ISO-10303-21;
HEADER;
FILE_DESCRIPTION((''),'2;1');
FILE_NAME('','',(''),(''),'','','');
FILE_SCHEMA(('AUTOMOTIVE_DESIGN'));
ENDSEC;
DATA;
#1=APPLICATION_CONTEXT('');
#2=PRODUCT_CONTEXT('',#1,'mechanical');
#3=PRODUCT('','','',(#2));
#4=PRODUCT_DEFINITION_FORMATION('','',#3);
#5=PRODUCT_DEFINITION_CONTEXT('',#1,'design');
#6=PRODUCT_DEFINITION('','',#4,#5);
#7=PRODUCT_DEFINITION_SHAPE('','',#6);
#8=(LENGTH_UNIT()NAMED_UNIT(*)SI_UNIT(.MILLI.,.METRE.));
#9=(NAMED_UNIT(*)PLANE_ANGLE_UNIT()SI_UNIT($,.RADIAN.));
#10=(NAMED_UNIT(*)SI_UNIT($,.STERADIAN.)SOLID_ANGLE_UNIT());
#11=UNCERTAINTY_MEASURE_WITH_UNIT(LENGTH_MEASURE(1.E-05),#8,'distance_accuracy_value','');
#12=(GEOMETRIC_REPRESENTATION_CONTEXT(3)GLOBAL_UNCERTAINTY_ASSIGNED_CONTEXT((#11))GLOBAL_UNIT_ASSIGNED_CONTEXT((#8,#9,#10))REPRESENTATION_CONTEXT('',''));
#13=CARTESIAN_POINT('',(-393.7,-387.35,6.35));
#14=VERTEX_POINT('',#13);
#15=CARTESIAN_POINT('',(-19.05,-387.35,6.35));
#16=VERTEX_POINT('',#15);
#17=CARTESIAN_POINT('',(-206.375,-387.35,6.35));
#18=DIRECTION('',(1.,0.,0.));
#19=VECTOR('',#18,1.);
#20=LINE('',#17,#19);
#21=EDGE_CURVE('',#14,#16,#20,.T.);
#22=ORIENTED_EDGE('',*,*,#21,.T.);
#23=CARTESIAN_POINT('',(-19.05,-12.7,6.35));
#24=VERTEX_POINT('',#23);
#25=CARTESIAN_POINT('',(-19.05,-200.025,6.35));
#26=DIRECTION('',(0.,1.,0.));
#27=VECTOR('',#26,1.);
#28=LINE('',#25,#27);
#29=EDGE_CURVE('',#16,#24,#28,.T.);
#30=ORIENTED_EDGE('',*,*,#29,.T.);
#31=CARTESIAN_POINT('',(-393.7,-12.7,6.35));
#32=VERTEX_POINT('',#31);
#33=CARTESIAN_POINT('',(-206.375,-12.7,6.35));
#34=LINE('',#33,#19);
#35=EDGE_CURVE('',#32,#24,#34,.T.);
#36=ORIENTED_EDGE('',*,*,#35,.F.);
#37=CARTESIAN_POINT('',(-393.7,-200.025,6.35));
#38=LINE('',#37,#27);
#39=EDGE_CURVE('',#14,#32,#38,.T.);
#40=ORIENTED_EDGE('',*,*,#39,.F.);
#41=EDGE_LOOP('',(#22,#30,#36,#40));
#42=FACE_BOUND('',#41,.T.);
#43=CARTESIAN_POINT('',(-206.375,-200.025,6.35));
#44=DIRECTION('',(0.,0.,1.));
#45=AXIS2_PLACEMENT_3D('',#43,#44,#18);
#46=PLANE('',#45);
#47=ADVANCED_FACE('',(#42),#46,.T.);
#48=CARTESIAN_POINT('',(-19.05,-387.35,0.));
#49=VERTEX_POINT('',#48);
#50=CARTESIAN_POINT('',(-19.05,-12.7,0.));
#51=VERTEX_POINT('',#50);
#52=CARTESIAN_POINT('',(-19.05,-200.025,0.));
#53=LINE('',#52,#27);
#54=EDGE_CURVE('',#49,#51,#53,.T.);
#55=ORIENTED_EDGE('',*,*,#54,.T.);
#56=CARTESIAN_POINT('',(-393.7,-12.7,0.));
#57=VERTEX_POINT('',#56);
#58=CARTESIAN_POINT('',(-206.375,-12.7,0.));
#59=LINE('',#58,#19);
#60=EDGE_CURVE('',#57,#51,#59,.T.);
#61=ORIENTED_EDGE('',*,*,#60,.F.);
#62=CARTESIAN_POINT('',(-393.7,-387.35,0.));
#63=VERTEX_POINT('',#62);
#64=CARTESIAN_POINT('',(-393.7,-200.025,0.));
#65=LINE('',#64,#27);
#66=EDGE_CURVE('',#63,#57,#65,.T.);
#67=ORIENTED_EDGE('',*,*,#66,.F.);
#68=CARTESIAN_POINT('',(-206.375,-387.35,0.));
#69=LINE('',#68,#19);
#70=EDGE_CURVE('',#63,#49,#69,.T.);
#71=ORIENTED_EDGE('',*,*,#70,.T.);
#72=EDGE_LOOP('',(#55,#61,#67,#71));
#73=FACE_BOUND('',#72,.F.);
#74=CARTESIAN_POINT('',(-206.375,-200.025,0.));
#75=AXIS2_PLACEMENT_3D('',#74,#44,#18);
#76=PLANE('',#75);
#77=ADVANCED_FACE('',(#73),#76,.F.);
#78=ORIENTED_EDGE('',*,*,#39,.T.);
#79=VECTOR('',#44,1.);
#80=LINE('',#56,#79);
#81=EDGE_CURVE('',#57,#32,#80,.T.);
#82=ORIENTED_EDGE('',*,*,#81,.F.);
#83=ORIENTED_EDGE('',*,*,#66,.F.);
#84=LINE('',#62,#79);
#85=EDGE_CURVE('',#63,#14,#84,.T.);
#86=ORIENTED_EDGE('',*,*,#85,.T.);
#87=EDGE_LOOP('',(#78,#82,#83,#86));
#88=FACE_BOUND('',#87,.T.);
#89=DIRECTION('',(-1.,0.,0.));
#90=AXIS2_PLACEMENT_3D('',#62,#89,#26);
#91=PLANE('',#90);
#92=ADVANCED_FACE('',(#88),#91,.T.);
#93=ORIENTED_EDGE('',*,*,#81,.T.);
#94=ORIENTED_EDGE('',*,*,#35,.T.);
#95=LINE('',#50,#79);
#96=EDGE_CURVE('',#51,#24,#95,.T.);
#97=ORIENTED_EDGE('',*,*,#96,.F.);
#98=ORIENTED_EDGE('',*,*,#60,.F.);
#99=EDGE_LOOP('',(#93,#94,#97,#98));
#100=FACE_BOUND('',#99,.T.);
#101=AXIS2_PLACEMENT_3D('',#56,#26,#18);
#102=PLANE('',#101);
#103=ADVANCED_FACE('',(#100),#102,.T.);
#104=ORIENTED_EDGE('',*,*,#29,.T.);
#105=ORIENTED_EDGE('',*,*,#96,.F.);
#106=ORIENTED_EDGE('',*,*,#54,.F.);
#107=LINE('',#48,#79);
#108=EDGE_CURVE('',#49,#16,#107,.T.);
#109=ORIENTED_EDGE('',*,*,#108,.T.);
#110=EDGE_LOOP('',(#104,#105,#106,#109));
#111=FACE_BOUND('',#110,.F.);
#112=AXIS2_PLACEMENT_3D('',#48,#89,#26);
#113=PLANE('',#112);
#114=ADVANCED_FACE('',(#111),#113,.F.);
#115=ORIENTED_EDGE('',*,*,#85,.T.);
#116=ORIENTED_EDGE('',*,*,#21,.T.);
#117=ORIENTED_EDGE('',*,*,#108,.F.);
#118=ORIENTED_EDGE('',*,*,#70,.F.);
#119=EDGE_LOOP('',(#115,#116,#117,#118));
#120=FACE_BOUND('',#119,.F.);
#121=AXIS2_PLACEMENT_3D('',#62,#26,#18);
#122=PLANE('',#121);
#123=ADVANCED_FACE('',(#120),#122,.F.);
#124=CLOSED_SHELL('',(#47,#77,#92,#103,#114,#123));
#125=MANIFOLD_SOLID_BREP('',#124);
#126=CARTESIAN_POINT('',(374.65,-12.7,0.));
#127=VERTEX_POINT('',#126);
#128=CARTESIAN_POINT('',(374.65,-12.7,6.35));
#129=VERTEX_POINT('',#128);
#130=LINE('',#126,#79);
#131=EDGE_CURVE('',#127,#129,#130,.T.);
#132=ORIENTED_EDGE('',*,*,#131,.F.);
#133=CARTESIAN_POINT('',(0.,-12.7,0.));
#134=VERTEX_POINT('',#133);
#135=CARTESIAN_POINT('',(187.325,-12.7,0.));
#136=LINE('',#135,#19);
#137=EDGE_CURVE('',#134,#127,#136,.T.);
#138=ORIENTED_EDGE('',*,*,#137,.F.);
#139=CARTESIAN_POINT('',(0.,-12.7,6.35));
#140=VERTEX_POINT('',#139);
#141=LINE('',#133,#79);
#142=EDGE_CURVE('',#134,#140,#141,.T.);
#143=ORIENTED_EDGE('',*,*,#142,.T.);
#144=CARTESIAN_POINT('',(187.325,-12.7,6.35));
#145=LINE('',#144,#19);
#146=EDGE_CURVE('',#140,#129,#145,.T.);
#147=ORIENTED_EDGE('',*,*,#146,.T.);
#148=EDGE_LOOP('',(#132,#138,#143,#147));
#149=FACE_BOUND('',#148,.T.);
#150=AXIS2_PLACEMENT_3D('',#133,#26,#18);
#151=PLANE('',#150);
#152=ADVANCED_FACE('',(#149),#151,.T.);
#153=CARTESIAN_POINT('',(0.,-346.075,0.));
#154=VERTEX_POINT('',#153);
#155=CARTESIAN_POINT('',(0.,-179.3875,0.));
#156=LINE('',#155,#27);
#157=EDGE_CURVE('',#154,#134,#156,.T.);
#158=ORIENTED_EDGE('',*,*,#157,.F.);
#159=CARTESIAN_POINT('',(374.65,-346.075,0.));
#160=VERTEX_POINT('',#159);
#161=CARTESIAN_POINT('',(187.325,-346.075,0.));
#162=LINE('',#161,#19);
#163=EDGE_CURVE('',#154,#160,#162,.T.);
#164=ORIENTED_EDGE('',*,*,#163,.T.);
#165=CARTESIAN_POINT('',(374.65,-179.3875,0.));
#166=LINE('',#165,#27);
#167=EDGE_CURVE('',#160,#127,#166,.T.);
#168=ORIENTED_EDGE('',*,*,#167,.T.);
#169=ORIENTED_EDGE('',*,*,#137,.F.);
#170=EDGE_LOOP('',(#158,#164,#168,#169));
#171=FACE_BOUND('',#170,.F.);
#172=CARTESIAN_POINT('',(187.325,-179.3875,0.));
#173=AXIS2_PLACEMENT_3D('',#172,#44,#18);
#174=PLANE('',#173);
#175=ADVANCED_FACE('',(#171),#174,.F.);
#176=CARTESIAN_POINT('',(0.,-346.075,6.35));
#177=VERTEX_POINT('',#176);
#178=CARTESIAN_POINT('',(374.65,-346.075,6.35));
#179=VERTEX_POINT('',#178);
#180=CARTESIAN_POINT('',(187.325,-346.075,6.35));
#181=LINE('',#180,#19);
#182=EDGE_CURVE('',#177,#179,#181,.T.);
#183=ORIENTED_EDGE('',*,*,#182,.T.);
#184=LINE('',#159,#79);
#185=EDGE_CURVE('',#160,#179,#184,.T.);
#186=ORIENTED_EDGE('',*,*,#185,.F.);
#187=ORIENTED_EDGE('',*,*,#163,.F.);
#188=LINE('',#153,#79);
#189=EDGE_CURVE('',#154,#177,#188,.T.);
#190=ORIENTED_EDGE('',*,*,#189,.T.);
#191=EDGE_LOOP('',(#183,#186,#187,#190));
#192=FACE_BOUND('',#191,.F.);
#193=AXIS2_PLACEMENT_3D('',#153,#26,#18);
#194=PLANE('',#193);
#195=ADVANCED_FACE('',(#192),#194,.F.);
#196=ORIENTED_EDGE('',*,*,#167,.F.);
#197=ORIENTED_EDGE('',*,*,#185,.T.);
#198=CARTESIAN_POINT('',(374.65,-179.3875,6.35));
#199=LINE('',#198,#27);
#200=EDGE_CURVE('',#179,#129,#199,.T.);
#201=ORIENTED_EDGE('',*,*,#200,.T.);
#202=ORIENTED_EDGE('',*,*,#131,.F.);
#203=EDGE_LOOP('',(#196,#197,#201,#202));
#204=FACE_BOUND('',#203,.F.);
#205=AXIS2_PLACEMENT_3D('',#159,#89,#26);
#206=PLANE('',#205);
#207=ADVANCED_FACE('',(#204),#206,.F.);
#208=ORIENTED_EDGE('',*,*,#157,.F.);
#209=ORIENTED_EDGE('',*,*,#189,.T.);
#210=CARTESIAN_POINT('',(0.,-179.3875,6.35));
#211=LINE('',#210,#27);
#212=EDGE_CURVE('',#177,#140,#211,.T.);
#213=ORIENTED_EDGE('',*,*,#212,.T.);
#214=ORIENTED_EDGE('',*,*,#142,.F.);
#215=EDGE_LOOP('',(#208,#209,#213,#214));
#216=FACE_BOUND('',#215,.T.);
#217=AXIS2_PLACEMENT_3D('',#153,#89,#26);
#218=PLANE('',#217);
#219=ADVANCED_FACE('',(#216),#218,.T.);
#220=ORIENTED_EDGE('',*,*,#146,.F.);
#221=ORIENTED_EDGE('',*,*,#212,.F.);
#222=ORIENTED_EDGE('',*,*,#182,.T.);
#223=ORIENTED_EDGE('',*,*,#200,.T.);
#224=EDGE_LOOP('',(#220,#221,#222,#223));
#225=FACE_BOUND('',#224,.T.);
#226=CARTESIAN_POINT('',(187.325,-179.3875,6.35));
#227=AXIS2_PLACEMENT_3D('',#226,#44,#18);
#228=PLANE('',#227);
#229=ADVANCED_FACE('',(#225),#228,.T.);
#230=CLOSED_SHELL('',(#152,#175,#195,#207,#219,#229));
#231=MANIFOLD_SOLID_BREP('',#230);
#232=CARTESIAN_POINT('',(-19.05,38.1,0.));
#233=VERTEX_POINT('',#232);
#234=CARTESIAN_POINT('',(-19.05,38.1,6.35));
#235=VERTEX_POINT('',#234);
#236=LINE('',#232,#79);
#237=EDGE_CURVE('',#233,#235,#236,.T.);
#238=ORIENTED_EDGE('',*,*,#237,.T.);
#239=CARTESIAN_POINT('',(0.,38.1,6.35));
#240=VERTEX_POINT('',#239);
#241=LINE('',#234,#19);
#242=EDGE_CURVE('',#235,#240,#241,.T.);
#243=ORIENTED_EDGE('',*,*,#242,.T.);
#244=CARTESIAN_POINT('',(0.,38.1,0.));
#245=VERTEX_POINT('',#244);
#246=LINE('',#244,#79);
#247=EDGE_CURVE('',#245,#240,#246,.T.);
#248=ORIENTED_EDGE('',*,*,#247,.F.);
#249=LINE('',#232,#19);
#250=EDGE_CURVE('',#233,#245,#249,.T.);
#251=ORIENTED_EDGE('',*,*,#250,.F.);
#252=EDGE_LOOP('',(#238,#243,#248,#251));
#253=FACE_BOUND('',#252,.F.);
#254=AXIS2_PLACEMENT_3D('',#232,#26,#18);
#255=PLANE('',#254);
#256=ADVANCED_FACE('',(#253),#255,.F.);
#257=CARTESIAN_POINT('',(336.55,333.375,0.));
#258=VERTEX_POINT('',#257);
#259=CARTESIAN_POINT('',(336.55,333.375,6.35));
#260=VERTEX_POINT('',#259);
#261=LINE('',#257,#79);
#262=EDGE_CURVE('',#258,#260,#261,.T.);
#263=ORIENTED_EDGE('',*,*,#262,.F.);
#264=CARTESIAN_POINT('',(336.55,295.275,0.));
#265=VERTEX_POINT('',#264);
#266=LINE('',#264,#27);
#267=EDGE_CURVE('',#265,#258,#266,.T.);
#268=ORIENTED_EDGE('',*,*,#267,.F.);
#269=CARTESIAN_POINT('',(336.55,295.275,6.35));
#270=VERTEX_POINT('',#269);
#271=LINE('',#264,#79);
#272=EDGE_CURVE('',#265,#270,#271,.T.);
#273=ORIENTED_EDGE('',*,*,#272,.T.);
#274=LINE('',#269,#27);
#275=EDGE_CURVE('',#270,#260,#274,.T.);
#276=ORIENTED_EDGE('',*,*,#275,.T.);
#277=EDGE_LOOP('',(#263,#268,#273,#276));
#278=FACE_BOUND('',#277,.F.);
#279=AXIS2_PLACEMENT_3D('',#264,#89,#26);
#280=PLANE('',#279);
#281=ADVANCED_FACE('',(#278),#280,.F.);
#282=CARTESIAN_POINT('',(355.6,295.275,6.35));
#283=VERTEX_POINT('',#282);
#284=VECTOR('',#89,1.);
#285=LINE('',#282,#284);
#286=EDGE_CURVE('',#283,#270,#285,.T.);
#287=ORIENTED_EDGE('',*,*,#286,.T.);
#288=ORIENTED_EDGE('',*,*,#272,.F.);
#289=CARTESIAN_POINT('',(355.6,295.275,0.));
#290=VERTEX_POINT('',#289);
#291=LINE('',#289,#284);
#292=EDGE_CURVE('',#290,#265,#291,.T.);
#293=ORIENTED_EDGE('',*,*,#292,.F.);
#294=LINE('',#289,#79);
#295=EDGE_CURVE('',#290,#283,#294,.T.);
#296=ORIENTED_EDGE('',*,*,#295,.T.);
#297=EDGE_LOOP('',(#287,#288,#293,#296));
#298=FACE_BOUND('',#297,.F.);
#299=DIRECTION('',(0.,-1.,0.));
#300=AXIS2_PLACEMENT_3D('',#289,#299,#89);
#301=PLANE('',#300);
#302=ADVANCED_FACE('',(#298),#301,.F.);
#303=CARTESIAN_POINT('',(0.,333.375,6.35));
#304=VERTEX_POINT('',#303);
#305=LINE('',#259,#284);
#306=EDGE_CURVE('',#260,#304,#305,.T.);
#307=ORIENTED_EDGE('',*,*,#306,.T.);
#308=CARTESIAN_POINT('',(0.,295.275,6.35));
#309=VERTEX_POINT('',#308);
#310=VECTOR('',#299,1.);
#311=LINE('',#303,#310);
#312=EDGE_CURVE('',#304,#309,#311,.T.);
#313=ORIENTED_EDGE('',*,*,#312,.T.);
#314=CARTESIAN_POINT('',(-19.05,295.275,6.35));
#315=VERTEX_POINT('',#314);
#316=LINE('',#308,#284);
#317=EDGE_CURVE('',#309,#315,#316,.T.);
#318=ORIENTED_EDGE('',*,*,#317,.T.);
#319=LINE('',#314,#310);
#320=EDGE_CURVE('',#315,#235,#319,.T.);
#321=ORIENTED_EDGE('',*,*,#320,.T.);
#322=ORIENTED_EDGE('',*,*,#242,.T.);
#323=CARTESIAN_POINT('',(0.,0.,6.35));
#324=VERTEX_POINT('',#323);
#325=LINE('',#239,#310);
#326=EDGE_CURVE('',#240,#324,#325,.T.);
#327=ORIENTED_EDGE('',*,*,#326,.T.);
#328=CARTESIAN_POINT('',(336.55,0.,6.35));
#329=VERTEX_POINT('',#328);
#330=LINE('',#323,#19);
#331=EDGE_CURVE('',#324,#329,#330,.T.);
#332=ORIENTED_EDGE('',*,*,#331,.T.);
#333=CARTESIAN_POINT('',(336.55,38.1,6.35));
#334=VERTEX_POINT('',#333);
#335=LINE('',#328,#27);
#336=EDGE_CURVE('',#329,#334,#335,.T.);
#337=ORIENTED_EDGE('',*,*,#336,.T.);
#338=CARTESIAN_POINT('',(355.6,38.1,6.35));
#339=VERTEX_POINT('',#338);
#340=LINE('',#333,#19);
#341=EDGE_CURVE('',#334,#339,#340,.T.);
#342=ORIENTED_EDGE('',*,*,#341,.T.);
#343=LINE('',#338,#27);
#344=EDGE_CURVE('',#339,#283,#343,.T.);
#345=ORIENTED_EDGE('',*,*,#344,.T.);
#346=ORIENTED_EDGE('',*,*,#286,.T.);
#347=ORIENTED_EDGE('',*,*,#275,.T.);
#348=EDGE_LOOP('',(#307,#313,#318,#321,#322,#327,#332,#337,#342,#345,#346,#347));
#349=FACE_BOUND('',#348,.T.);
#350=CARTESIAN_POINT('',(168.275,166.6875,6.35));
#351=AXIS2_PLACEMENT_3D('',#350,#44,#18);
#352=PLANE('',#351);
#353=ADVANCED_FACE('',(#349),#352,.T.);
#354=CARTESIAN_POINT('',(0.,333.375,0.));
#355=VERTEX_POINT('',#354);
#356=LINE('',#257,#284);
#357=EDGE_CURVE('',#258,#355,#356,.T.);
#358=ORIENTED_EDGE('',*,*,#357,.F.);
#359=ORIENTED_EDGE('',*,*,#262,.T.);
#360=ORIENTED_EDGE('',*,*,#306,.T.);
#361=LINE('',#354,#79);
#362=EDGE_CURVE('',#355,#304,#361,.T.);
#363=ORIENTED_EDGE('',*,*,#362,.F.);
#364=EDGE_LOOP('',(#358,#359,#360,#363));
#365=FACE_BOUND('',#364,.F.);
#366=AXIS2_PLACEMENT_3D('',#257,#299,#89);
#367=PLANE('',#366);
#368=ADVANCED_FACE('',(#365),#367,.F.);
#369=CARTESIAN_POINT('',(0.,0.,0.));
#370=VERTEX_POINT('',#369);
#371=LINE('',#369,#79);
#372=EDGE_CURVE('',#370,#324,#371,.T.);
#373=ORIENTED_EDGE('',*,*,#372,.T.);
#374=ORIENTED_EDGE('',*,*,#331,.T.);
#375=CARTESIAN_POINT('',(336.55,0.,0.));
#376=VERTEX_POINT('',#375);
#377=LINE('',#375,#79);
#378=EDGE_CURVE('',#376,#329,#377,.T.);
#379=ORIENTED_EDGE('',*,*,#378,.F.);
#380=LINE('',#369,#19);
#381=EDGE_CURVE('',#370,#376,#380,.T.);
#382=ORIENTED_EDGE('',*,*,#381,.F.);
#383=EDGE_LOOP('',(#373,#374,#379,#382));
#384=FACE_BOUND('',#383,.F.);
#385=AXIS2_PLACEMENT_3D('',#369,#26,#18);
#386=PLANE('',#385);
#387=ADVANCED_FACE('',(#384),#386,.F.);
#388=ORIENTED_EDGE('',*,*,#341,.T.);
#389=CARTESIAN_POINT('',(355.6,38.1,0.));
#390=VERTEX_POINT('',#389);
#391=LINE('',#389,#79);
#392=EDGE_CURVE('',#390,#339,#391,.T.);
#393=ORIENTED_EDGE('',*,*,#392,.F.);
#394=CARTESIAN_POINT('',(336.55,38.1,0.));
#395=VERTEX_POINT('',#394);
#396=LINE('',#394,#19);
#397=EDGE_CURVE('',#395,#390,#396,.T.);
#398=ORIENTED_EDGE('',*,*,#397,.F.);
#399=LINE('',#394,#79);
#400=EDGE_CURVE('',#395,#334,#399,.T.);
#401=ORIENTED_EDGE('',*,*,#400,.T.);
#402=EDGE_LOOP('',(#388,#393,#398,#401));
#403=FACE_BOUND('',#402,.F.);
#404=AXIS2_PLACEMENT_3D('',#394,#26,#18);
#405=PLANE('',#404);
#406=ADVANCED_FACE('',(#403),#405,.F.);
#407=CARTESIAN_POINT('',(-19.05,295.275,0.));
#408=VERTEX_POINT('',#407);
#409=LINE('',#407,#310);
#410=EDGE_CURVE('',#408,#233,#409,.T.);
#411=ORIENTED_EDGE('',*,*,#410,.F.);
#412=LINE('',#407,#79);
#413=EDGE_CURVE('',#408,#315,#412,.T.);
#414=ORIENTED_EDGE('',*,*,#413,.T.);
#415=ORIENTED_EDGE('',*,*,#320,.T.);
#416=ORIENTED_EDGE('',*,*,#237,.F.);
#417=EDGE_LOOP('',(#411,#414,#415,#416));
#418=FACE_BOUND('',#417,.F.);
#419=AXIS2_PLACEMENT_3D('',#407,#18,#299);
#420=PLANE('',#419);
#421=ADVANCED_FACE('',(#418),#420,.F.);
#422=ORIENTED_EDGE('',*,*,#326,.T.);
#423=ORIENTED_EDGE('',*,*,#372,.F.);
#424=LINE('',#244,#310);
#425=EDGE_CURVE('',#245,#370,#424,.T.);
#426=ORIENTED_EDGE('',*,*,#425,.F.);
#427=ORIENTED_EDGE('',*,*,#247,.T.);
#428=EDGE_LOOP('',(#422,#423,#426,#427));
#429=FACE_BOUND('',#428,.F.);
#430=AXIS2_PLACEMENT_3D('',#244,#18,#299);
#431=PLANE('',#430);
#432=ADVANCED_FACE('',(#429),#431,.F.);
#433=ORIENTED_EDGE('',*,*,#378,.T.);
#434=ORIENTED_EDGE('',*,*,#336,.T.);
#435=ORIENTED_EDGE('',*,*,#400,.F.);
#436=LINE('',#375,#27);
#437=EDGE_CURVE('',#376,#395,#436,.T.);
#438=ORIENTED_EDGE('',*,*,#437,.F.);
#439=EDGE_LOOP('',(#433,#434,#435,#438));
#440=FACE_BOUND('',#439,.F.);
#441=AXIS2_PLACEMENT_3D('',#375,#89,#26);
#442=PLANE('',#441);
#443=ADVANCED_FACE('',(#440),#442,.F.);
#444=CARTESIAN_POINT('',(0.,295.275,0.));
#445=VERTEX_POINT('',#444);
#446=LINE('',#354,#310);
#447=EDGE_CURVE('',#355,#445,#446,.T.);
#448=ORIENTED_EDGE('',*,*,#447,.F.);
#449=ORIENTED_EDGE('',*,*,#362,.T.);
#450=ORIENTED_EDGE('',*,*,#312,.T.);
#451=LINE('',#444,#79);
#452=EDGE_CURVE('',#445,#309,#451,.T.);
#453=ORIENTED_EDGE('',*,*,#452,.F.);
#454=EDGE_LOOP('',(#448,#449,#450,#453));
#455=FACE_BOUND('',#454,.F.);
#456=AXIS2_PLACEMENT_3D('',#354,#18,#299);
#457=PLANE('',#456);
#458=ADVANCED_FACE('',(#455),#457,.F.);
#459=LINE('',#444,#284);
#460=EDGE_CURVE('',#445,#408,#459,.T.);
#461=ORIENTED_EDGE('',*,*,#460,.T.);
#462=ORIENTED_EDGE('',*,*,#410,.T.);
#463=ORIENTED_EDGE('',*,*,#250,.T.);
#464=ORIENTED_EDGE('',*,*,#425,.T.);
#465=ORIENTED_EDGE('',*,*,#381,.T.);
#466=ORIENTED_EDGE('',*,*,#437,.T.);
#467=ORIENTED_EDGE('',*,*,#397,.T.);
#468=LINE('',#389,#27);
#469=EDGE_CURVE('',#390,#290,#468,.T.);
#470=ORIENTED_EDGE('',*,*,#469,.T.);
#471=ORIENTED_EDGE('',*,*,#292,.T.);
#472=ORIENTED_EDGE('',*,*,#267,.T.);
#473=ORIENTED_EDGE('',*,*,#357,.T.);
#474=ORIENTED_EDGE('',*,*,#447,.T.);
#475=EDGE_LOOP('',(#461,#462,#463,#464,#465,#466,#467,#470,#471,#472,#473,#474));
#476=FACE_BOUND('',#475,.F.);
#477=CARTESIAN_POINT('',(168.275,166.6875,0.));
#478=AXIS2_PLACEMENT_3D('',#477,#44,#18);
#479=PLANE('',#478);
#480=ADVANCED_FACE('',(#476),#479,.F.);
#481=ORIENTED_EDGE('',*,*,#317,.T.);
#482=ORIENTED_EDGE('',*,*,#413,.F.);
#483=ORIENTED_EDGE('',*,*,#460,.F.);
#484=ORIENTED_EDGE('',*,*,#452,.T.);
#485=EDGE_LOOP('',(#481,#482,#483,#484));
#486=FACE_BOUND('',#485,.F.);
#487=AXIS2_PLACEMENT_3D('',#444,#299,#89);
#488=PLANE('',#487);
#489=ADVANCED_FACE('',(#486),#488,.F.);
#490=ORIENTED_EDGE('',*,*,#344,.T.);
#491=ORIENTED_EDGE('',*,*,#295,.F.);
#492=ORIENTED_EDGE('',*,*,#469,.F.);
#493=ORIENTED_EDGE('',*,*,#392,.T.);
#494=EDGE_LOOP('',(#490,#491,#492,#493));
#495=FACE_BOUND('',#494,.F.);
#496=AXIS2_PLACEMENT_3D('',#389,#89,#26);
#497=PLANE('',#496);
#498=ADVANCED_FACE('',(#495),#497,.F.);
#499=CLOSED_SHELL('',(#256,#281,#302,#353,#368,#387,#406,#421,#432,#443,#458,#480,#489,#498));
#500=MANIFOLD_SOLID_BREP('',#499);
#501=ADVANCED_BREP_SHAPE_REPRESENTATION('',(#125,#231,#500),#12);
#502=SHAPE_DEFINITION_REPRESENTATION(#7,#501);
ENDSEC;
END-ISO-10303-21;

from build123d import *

# Parameters (mm, degrees)
F1_DEPTH = 6.35
F2_W     = 374.65
F2_H     = 333.375
F3_DEPTH = 6.35
F4_W     = 374.65
F4_H     = 374.65
F5_DEPTH = 6.35


with BuildPart() as f1:
    # F0 (on Top) → F1 (new body)
    with BuildSketch(Plane.XY):
        Polygon((0, 38.1), (0, 0), (336.55, 0), (336.55, 38.1), (355.6, 38.1), (355.6, 295.275), (336.55, 295.275), (336.55, 333.375), (0, 333.375), (0, 295.275), (-19.05, 295.275), (-19.05, 38.1), align=None)
    extrude(amount=F1_DEPTH)


with BuildPart() as f3:
    # F2 (on Top) → F3 (new body)
    with BuildSketch(Plane.XY):
        with Locations((187.325, -179.3875)):
            Rectangle(F2_W, F2_H)
    extrude(amount=F3_DEPTH)


with BuildPart() as f5:
    # F4 (on Top) → F5 (new body)
    with BuildSketch(Plane.XY):
        with Locations((-206.375, -200.025)):
            Rectangle(F4_W, F4_H)
    extrude(amount=F5_DEPTH)


solid = Compound([f1.part, f3.part, f5.part])
